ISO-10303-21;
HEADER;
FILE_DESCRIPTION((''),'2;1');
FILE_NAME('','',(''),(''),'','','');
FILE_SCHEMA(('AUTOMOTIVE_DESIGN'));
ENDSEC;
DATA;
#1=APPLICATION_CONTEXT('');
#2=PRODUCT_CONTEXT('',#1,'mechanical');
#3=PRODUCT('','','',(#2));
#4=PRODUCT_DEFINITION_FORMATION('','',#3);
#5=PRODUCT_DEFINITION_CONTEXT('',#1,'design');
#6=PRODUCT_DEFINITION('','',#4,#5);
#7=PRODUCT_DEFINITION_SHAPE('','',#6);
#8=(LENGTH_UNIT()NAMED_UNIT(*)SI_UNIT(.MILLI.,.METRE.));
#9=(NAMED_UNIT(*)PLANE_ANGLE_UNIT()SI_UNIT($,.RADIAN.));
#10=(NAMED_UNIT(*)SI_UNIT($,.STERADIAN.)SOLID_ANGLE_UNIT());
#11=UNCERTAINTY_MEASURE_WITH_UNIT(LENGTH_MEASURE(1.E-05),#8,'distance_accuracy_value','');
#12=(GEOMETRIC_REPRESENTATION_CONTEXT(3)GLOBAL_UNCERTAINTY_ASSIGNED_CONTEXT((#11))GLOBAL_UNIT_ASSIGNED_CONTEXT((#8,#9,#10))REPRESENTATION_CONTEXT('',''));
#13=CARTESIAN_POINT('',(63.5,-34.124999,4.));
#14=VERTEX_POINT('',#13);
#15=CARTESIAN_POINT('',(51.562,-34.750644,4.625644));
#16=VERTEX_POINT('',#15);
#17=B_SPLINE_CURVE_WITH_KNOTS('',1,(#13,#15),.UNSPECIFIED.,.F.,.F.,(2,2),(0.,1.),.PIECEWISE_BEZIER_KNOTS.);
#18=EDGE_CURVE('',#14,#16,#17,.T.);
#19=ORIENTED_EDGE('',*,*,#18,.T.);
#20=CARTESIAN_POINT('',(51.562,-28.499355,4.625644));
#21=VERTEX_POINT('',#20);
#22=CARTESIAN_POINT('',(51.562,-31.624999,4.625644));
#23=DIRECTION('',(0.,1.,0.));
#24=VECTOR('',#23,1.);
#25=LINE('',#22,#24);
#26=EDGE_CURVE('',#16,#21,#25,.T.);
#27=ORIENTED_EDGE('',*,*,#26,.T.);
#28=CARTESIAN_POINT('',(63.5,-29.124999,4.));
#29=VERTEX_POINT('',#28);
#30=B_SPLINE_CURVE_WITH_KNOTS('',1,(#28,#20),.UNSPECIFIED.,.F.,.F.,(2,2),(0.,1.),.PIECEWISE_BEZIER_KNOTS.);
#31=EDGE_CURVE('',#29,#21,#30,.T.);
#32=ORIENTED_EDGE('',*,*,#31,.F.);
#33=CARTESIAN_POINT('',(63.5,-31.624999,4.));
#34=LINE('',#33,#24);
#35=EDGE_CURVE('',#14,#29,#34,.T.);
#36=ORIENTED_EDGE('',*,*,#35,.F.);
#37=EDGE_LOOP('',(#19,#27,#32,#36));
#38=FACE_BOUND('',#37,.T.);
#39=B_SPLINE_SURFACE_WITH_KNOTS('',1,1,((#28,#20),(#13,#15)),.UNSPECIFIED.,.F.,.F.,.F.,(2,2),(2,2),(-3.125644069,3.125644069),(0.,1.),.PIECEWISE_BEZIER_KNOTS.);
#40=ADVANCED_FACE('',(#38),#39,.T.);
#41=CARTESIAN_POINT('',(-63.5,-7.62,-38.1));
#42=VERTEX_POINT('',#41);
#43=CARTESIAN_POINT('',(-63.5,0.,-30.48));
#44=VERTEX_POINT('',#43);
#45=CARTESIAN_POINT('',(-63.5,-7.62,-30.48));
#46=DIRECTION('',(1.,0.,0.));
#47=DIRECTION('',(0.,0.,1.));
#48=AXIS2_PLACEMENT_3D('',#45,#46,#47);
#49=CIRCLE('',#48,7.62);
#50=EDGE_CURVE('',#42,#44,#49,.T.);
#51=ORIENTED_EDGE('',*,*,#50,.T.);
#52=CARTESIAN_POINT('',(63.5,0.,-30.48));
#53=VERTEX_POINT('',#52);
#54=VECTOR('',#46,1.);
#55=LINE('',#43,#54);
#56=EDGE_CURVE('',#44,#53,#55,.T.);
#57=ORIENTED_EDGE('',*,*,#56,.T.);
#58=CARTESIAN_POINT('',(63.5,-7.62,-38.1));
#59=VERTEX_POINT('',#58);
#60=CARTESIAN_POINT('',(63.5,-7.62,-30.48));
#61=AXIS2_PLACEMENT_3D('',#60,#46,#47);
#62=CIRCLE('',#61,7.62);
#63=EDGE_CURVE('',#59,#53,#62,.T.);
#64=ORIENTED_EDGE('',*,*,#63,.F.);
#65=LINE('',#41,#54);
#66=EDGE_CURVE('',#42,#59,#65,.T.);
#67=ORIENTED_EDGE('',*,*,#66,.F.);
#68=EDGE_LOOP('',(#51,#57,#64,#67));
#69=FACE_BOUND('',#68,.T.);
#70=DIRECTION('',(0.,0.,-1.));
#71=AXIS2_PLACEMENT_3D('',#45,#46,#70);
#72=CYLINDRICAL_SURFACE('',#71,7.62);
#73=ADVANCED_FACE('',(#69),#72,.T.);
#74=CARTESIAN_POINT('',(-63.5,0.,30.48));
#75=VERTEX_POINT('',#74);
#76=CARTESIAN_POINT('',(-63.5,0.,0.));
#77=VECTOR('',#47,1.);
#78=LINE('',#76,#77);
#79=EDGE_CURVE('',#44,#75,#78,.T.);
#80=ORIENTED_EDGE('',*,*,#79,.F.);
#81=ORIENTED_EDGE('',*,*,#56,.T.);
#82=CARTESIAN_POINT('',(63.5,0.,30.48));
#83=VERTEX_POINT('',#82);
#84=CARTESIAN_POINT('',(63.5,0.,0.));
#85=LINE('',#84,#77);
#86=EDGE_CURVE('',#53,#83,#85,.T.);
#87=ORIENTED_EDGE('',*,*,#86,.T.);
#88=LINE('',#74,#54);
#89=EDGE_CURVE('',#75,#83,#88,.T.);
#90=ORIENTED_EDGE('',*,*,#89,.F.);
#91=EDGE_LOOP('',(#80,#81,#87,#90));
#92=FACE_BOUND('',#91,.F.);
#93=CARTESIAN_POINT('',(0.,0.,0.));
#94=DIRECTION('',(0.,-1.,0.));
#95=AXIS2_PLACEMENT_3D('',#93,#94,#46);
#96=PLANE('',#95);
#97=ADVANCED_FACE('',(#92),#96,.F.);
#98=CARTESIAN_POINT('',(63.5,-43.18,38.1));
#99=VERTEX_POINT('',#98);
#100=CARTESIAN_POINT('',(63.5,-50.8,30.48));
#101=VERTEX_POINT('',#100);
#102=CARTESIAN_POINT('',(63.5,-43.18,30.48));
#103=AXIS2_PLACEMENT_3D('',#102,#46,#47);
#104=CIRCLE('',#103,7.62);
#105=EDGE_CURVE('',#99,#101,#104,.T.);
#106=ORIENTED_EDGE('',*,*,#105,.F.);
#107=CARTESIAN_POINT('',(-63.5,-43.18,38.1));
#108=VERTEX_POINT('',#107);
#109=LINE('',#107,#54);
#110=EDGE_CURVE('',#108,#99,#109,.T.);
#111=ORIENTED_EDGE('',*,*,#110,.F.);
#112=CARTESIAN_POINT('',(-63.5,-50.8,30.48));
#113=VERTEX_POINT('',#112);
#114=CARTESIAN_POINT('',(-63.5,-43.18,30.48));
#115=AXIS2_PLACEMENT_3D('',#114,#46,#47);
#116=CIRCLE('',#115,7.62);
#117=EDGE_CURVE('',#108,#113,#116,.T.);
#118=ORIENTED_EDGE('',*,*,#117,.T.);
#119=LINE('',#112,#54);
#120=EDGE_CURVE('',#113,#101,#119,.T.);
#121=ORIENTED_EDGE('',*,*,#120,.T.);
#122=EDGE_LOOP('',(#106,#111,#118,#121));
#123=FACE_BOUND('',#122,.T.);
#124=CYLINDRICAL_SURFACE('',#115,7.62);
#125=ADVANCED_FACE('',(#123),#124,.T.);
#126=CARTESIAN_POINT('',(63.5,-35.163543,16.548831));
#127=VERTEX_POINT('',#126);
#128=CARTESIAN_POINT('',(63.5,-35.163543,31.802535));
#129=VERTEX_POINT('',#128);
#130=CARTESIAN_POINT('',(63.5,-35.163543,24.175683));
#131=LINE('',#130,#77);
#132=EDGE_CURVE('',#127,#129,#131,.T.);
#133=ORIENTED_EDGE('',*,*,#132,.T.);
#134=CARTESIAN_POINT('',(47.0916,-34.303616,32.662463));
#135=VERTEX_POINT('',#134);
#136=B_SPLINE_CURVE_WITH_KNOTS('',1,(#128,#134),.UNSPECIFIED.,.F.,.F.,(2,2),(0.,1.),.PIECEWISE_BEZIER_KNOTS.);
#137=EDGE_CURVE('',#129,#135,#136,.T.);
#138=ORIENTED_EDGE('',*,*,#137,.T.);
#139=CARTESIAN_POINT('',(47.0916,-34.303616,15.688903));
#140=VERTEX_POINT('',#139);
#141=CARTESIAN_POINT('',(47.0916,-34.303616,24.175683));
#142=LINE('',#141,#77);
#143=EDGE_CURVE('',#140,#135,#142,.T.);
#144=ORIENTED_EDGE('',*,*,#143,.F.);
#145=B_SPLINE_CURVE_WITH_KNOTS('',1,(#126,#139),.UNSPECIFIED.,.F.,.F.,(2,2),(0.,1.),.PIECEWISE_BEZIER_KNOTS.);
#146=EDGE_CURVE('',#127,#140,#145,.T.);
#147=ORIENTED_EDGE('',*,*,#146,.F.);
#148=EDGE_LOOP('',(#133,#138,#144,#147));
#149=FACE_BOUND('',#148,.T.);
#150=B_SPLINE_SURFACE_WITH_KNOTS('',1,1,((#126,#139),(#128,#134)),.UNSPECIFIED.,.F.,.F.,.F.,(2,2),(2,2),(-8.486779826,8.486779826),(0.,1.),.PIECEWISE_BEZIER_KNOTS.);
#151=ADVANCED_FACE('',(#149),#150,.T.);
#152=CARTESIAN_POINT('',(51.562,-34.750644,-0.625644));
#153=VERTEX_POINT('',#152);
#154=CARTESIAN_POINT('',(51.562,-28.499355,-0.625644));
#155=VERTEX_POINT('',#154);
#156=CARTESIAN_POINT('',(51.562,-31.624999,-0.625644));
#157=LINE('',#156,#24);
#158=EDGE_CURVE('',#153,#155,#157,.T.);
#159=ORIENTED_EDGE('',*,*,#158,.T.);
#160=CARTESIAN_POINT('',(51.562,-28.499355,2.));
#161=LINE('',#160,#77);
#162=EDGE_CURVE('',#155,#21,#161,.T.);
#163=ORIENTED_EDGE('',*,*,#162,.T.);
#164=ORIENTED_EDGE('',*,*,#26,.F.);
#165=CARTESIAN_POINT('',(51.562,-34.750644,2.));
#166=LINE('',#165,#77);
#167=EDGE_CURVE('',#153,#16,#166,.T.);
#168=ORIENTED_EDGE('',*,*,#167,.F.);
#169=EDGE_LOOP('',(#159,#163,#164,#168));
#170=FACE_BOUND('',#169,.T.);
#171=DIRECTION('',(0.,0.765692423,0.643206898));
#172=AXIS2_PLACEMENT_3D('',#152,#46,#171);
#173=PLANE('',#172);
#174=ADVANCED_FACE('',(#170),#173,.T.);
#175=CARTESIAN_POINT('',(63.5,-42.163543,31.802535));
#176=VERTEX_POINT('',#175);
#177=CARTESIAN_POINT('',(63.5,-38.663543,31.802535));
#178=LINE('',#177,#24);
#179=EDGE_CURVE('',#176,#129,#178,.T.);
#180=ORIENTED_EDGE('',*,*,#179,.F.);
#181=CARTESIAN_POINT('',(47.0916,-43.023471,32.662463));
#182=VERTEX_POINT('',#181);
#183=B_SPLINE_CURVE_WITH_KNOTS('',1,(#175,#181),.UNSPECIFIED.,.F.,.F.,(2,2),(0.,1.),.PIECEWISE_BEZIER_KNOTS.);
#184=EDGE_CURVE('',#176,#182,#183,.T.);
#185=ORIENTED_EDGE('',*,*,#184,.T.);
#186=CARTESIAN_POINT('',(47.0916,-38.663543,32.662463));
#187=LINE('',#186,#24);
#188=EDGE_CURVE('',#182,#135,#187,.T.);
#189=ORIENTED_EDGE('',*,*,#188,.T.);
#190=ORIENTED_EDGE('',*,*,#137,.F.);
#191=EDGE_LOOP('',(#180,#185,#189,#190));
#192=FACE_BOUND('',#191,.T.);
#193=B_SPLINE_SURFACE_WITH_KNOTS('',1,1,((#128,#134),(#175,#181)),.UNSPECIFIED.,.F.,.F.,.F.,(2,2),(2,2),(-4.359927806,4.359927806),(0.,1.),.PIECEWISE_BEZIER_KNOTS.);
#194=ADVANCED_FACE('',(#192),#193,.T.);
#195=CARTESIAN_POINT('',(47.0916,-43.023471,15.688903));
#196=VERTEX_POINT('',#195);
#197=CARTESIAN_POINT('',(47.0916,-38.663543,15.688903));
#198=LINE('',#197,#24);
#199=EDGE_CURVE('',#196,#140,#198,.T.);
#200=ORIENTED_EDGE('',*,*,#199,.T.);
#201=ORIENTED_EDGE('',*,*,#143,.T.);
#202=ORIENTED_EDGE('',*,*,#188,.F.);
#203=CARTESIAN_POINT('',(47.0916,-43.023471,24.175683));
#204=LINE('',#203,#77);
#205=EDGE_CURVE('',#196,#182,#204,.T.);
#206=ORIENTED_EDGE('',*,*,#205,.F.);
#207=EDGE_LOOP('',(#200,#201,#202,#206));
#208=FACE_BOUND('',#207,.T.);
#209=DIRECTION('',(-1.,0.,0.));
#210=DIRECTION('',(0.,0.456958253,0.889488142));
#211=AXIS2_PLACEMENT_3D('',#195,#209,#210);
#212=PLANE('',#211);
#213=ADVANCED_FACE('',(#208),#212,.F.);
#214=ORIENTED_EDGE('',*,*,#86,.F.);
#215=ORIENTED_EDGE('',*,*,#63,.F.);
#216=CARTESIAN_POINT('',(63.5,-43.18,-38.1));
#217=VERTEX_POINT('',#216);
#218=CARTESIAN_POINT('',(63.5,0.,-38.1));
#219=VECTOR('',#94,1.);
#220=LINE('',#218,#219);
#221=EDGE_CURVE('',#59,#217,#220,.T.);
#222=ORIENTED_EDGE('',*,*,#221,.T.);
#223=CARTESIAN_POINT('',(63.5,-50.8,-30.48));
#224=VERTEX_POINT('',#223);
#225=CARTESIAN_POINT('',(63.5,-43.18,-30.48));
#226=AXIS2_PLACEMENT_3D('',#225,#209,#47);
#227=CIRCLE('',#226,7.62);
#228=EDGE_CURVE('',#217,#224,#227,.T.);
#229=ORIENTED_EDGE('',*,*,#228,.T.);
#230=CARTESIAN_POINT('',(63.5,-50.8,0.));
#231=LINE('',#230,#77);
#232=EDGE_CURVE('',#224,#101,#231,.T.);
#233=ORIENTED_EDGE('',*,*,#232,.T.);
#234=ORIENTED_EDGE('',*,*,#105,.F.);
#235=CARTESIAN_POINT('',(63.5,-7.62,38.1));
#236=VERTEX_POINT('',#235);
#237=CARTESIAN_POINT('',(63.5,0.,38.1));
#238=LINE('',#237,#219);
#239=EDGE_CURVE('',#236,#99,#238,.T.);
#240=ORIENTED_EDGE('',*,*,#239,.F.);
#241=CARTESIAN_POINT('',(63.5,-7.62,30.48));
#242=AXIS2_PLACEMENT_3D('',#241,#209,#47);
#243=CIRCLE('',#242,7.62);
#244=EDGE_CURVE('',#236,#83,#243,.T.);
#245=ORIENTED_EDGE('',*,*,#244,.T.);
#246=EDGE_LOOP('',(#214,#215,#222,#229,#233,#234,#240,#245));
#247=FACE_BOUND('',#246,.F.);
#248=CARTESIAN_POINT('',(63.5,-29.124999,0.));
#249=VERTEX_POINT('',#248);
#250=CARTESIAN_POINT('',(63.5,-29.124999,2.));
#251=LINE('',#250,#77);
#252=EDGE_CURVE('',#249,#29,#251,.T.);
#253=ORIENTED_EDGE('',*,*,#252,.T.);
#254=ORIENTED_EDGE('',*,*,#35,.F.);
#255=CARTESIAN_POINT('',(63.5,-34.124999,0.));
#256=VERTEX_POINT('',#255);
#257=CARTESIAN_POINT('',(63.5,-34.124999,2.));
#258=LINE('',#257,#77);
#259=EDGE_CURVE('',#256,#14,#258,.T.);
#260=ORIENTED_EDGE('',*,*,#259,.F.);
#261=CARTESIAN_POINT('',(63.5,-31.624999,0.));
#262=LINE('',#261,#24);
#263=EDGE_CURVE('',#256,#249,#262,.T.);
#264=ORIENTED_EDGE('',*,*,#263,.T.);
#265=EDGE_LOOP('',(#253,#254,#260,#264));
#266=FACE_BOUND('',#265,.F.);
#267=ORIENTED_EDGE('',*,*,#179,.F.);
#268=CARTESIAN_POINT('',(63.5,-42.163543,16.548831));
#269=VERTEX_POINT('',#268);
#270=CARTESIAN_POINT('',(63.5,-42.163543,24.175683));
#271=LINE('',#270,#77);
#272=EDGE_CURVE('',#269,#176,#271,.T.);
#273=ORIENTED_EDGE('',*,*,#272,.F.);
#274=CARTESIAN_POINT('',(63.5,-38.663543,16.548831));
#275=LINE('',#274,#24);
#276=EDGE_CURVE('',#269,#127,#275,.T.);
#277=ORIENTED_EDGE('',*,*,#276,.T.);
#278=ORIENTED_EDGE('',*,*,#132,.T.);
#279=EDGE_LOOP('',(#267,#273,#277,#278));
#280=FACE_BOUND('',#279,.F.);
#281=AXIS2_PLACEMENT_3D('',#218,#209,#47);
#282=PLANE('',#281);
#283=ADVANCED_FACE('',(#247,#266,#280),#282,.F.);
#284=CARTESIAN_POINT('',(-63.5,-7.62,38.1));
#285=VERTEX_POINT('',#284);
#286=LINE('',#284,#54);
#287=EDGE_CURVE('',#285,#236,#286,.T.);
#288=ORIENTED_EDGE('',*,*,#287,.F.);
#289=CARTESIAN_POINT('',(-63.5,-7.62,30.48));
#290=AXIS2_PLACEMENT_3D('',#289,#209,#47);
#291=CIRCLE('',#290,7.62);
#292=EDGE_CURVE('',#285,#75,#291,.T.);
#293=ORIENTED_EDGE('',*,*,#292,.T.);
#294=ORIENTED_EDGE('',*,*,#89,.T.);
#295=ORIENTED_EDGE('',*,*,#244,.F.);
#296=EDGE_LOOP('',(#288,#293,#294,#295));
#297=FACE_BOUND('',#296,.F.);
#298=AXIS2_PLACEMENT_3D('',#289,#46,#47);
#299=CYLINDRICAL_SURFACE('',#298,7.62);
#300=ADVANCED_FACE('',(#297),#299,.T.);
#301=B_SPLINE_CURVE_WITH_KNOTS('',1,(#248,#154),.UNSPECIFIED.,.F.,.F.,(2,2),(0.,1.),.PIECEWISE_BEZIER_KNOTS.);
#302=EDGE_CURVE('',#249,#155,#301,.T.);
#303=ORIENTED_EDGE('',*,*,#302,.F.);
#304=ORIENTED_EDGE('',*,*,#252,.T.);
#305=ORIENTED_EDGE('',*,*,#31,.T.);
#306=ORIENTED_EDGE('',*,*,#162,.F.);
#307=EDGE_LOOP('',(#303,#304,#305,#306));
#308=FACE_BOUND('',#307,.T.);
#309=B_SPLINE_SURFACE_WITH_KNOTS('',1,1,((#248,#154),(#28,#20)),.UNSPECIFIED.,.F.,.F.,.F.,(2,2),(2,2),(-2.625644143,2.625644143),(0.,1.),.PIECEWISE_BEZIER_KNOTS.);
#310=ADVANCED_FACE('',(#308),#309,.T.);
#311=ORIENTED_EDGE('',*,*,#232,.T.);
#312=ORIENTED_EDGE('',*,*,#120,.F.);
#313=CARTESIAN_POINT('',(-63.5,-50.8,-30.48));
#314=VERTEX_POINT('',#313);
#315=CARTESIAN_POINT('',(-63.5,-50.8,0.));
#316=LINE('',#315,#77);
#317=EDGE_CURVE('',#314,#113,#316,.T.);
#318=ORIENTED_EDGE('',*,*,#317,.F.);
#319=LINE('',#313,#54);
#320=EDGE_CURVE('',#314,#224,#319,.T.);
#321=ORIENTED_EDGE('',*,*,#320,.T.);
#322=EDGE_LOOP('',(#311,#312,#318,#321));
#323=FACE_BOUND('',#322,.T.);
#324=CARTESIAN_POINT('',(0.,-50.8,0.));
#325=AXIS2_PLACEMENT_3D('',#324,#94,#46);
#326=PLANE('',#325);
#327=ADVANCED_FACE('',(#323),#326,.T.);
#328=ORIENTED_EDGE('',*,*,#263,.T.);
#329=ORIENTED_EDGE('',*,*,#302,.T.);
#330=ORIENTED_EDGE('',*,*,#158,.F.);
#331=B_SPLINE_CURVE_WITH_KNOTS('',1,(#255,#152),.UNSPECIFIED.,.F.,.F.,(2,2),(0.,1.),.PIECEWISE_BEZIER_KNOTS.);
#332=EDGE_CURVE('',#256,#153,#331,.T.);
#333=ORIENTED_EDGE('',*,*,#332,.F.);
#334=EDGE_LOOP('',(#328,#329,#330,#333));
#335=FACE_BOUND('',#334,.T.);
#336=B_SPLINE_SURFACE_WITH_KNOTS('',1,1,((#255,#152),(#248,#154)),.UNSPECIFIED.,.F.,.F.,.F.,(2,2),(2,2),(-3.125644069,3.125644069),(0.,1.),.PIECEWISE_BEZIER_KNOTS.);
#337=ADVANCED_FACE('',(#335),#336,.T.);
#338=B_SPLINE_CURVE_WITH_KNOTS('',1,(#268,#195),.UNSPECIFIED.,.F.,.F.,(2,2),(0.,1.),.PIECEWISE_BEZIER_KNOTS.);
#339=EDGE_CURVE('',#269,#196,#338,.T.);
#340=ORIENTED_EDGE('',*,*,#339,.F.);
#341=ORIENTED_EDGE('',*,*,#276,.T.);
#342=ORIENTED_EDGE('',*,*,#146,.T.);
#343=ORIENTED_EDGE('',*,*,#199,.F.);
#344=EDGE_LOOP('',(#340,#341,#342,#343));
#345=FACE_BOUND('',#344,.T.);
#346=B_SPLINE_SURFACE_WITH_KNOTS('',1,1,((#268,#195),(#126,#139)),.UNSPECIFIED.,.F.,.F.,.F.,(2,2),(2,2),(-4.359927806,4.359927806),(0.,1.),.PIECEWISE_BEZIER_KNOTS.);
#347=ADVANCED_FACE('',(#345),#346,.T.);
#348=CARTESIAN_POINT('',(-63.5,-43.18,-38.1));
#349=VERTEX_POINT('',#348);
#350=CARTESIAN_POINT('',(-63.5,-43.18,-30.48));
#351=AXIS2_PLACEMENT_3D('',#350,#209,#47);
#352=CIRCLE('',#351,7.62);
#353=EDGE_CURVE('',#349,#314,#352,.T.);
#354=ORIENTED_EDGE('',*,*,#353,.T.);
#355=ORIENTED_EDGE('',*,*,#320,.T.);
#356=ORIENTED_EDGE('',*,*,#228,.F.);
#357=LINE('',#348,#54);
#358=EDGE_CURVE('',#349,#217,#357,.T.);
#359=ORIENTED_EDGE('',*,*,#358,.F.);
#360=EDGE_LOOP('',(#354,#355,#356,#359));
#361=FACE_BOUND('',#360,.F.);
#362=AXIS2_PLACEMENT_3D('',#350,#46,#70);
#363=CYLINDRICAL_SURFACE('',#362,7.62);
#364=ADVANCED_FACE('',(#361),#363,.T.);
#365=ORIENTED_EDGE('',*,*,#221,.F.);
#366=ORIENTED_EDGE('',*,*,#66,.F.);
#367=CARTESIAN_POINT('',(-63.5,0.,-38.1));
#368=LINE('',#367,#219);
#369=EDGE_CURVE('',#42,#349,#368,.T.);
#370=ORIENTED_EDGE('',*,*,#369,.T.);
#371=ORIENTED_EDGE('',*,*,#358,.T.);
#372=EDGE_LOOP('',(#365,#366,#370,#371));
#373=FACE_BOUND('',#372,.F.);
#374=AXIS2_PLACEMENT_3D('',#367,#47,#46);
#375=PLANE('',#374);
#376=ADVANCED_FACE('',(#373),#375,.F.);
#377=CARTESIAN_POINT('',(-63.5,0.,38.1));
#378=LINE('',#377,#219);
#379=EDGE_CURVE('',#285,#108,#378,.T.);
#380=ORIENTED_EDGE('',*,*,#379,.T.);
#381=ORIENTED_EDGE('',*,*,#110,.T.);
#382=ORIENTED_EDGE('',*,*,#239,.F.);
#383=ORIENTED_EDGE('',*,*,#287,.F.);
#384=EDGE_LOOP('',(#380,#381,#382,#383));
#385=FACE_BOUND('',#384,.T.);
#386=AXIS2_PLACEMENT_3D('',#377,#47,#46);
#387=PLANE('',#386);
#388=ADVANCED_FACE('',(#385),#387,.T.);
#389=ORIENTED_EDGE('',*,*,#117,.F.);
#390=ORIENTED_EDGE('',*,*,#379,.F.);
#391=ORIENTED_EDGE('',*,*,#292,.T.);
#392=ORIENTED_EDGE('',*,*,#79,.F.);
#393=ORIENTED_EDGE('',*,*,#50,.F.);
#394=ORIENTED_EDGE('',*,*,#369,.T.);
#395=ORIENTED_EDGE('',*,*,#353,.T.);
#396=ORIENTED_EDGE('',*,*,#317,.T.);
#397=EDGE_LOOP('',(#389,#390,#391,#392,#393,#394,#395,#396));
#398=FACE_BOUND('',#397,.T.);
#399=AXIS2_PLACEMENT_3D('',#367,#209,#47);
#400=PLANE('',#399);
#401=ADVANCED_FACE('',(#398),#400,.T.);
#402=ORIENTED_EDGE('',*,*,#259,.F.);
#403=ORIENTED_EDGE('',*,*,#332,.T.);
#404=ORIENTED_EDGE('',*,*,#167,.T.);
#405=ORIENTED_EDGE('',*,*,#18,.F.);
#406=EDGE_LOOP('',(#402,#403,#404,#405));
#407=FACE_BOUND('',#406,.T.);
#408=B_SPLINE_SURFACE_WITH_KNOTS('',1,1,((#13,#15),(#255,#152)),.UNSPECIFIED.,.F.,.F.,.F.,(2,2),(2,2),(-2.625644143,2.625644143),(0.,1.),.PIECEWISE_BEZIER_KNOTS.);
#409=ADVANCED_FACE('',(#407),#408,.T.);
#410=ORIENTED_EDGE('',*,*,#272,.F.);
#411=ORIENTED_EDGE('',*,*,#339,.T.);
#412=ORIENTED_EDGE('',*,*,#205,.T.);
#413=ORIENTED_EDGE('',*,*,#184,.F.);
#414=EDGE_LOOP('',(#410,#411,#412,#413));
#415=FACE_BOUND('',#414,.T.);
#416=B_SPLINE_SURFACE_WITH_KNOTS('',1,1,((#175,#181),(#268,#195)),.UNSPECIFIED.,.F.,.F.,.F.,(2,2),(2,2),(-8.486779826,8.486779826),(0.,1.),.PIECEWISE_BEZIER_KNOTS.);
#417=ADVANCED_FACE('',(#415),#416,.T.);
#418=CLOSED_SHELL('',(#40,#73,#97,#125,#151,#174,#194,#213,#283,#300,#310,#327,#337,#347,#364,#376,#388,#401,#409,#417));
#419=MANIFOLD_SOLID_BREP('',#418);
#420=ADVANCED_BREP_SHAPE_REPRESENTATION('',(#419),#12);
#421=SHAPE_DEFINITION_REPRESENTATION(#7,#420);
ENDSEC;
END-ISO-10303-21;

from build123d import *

# Parameters (mm, degrees)
F0_W     = 127
F0_H     = 76.2
F1_DEPTH = 50.8
F2_R     = 7.62
F3_W     = 7
F3_H     = 15.2537040412
F4_DEPTH = 16.4084
F4_TAPER = -3
F5_W     = 5
F5_H     = 4.0000001475
F6_DEPTH = 11.938
F6_TAPER = -3


with BuildPart() as f1:
    # F0 (on Front) → F1 (new body)
    with BuildSketch(Plane.XZ):
        Rectangle(F0_W, F0_H)
    extrude(amount=F1_DEPTH)

    # F2
    f2_edges = [f1.edges().sort_by_distance(p)[0] for p in [
        (0, -50.8, 38.1),
        (0, 0, 38.1),
        (0, -50.8, -38.1),
        (0, 0, -38.1),
    ]]
    fillet(f2_edges, radius=F2_R)

    # F3 (on face) → F4 (cut)
    with BuildSketch(Plane.YZ.offset(63.5)):
        with Locations((-38.6635434031, 24.1756830364)):
            Rectangle(F3_W, F3_H)
    extrude(amount=-F4_DEPTH, taper=F4_TAPER, mode=Mode.SUBTRACT)

    # F5 (on face) → F6 (cut)
    with BuildSketch(Plane.YZ.offset(63.5)):
        with Locations((-31.6249994836, 2.0000000738)):
            Rectangle(F5_W, F5_H)
    extrude(amount=-F6_DEPTH, taper=F6_TAPER, mode=Mode.SUBTRACT)


solid = f1.part
